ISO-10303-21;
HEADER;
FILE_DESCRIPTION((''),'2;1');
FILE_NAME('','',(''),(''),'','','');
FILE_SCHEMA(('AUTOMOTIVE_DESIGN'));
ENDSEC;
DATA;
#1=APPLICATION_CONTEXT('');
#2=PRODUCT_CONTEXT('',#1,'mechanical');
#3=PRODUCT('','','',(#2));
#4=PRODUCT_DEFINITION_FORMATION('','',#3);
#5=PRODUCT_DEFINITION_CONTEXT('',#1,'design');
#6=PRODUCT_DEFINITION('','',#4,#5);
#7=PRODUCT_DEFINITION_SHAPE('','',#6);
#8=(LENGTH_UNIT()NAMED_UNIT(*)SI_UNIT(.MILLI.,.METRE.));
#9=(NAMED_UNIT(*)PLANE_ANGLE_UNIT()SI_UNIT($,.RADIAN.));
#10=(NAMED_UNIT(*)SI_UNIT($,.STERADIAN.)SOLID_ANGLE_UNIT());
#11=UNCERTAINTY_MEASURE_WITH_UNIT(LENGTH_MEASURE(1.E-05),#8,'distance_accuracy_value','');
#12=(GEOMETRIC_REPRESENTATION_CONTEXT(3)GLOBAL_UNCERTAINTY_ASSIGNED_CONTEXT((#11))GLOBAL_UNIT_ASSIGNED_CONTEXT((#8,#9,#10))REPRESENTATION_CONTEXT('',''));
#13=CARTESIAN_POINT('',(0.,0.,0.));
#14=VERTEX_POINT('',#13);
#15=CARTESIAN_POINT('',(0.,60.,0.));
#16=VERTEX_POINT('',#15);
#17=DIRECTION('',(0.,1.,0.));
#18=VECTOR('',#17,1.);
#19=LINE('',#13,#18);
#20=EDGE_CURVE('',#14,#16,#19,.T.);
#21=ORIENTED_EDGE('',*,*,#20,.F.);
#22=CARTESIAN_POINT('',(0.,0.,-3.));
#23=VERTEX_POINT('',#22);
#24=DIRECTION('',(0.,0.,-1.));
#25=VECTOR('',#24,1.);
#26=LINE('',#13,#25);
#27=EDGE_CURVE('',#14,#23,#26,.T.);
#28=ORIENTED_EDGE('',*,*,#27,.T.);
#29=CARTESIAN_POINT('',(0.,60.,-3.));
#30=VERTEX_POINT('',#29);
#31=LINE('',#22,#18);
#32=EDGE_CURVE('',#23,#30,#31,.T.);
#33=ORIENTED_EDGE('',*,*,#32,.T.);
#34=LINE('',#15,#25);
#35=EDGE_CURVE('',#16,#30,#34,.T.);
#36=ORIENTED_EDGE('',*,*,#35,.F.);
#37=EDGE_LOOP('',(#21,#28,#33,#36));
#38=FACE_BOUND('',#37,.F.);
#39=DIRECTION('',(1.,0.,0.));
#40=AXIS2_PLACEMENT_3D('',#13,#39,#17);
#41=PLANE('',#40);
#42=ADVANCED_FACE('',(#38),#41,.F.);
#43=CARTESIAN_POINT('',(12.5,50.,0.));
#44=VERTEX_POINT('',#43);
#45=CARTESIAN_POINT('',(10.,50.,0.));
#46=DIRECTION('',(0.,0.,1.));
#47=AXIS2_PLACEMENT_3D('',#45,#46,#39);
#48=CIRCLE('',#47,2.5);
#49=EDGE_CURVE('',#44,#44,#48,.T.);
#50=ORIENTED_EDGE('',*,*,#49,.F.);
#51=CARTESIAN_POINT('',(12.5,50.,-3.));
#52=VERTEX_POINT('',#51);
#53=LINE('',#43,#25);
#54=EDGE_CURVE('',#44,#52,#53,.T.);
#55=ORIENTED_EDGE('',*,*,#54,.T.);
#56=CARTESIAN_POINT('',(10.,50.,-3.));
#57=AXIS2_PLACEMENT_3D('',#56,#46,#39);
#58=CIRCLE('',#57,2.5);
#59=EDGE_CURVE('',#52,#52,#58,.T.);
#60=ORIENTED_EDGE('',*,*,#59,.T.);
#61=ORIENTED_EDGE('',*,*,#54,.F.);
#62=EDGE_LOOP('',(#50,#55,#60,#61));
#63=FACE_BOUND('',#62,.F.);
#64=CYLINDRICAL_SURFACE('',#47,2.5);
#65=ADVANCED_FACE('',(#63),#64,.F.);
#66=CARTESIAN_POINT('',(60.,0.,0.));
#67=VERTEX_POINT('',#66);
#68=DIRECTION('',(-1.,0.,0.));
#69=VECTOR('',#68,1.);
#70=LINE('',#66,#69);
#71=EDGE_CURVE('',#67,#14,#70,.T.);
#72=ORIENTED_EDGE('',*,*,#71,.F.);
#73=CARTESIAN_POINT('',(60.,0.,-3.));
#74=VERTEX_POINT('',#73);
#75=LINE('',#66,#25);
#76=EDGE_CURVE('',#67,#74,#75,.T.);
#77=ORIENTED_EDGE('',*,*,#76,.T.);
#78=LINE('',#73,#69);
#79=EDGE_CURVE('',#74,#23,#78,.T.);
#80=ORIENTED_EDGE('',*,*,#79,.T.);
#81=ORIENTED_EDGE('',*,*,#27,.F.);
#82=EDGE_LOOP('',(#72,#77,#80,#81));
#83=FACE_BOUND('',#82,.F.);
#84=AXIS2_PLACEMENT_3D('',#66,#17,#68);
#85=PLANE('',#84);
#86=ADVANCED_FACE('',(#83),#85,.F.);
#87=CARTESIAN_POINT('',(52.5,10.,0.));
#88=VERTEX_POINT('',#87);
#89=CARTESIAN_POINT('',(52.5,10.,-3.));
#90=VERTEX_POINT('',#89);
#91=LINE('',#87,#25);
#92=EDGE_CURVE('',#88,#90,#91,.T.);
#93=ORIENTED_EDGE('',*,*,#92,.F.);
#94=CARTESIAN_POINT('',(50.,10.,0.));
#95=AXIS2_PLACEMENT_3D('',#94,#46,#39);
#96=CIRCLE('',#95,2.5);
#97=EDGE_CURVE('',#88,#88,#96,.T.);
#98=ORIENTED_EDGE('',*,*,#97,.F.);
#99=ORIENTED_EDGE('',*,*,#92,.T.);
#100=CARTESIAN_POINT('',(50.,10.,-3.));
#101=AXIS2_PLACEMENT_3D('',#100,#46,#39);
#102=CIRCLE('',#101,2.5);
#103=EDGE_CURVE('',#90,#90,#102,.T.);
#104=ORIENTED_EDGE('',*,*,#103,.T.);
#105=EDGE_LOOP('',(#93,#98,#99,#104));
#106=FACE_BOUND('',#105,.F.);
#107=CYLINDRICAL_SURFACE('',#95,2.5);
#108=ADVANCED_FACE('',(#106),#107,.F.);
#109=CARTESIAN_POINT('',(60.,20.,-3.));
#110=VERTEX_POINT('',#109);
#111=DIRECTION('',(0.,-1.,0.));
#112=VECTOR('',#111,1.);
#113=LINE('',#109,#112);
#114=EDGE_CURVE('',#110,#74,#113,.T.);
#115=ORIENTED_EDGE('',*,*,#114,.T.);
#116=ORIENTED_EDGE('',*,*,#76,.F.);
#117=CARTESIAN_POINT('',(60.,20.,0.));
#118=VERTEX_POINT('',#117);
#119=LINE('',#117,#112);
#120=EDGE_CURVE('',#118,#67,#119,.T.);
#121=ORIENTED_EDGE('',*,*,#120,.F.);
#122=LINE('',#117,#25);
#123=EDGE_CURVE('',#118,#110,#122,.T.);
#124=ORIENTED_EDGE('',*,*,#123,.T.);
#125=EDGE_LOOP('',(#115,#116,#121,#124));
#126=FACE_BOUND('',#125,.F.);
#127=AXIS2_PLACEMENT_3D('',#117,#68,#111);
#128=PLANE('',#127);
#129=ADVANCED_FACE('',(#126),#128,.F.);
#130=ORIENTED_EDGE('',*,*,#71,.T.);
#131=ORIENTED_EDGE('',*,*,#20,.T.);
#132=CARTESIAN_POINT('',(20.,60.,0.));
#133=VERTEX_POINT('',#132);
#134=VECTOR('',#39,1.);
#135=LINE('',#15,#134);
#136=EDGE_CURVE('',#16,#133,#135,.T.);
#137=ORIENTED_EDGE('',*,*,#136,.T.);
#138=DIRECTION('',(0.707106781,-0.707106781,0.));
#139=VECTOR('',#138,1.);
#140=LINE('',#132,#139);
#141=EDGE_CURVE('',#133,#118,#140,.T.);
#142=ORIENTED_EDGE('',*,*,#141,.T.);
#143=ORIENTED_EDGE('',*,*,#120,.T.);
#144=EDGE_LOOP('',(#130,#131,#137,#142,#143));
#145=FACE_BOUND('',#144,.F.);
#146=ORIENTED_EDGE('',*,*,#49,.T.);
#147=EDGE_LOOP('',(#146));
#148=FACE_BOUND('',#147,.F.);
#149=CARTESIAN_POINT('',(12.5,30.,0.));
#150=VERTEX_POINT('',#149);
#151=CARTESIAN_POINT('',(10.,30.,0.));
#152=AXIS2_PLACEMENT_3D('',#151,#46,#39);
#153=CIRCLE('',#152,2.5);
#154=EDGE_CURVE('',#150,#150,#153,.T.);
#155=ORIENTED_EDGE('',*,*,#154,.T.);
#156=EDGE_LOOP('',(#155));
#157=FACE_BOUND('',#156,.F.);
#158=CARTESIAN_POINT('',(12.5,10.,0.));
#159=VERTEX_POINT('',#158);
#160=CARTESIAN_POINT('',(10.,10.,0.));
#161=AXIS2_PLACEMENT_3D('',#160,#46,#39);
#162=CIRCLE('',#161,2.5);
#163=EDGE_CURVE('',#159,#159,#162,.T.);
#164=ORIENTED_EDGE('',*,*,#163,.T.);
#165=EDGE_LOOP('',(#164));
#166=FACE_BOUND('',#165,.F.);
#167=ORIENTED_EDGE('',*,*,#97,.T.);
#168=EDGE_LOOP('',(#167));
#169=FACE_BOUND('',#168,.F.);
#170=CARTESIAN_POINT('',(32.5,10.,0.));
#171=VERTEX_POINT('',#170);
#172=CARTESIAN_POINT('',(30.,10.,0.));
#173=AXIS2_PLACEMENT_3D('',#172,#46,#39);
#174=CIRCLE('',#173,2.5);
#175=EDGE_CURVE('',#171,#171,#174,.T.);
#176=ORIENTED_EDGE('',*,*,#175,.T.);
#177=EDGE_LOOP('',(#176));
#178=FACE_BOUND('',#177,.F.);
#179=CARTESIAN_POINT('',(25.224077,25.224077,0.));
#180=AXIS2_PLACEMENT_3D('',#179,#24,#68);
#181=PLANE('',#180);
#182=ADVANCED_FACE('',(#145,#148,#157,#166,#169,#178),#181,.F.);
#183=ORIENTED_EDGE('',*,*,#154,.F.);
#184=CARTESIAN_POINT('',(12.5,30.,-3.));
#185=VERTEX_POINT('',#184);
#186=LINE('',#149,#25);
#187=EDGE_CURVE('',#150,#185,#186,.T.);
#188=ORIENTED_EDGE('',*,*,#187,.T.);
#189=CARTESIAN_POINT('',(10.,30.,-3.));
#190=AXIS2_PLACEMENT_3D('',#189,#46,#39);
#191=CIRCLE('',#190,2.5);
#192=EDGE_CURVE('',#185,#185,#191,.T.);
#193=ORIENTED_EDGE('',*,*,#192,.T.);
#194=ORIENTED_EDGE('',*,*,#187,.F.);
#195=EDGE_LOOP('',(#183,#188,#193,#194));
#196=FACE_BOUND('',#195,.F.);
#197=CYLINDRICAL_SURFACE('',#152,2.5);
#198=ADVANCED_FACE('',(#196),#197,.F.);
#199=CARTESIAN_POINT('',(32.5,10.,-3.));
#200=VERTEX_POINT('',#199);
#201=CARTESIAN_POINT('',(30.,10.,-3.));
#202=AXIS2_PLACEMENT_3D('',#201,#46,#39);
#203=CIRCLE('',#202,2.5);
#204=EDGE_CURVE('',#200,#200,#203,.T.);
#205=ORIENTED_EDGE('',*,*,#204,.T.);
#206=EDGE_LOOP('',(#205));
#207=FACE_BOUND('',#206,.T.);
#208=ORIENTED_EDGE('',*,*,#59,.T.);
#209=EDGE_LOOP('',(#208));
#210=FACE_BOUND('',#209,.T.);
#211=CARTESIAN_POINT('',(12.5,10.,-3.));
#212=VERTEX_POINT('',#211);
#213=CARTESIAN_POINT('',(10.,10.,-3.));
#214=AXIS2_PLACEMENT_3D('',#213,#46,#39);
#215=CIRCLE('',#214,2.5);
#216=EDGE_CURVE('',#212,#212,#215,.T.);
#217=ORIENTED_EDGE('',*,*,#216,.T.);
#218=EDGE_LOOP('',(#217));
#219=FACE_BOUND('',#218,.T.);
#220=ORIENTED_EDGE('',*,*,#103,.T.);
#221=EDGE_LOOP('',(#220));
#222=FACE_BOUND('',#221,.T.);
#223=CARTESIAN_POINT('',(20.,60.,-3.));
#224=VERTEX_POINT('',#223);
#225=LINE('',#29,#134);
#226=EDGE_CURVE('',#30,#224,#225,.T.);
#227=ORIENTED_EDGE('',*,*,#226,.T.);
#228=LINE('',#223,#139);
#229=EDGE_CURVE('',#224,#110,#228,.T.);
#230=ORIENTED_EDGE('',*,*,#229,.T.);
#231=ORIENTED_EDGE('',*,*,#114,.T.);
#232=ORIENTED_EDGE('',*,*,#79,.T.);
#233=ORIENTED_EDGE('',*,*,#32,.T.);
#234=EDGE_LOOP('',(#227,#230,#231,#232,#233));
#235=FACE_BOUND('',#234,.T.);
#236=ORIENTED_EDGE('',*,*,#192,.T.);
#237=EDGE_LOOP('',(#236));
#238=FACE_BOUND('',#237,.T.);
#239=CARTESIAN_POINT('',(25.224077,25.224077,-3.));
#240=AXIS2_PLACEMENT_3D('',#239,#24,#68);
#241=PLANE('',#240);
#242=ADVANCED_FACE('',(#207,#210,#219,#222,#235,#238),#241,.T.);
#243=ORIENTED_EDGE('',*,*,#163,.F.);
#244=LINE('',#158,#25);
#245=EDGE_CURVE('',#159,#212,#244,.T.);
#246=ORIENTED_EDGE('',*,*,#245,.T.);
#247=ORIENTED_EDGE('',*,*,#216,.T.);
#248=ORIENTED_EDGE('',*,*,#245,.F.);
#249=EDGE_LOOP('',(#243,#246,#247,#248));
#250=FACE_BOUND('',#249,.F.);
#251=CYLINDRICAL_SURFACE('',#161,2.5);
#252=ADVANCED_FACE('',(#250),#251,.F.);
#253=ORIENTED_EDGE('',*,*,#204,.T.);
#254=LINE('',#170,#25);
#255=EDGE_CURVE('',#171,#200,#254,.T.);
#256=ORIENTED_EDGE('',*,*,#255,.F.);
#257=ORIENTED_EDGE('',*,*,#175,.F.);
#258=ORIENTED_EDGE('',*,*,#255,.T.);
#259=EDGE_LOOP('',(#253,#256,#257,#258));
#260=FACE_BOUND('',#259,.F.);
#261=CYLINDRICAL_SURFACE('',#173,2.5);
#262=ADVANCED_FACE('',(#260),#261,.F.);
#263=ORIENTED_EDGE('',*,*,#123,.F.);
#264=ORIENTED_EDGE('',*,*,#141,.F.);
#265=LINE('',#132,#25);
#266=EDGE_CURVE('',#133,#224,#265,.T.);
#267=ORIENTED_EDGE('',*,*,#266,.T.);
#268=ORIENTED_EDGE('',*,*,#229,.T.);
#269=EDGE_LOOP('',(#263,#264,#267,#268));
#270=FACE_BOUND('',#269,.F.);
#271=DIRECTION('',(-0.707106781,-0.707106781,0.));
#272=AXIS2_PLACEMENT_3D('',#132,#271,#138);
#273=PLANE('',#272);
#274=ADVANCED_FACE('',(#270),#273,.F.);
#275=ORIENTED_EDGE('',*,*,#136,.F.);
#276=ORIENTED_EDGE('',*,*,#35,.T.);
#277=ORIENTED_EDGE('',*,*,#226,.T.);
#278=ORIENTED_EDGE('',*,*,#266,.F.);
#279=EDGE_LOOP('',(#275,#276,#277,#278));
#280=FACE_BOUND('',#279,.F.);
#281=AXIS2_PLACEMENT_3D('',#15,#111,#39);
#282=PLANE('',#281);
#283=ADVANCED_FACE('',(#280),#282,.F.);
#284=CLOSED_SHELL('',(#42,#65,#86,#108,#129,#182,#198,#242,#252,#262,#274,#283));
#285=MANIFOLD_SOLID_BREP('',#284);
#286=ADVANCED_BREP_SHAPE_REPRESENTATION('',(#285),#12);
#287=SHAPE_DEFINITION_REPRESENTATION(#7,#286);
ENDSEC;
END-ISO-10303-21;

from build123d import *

# Parameters (mm, degrees)
BOSS_EXTRUDE1_DEPTH = 3
SKETCH2_R           = 2.5
CUT_EXTRUDE1_DEPTH  = 3


with BuildPart() as part:
    # Sketch1 → Boss-Extrude1 (new body)
    with BuildSketch(Plane.XY):
        Polygon((0, 60), (20, 60), (60, 20), (60, 0), (0, 0), align=None)
    extrude(amount=-BOSS_EXTRUDE1_DEPTH)

    # Sketch2 → Cut-Extrude1 (cut)
    with BuildSketch(Plane.XY):
        with Locations((10, 10)):
            Circle(SKETCH2_R)
        with Locations((30, 10)):
            Circle(SKETCH2_R)
        with Locations((50, 10)):
            Circle(SKETCH2_R)
        with Locations((10, 30)):
            Circle(SKETCH2_R)
        with Locations((10, 50)):
            Circle(SKETCH2_R)
    extrude(amount=-CUT_EXTRUDE1_DEPTH, mode=Mode.SUBTRACT)


solid = part.part
